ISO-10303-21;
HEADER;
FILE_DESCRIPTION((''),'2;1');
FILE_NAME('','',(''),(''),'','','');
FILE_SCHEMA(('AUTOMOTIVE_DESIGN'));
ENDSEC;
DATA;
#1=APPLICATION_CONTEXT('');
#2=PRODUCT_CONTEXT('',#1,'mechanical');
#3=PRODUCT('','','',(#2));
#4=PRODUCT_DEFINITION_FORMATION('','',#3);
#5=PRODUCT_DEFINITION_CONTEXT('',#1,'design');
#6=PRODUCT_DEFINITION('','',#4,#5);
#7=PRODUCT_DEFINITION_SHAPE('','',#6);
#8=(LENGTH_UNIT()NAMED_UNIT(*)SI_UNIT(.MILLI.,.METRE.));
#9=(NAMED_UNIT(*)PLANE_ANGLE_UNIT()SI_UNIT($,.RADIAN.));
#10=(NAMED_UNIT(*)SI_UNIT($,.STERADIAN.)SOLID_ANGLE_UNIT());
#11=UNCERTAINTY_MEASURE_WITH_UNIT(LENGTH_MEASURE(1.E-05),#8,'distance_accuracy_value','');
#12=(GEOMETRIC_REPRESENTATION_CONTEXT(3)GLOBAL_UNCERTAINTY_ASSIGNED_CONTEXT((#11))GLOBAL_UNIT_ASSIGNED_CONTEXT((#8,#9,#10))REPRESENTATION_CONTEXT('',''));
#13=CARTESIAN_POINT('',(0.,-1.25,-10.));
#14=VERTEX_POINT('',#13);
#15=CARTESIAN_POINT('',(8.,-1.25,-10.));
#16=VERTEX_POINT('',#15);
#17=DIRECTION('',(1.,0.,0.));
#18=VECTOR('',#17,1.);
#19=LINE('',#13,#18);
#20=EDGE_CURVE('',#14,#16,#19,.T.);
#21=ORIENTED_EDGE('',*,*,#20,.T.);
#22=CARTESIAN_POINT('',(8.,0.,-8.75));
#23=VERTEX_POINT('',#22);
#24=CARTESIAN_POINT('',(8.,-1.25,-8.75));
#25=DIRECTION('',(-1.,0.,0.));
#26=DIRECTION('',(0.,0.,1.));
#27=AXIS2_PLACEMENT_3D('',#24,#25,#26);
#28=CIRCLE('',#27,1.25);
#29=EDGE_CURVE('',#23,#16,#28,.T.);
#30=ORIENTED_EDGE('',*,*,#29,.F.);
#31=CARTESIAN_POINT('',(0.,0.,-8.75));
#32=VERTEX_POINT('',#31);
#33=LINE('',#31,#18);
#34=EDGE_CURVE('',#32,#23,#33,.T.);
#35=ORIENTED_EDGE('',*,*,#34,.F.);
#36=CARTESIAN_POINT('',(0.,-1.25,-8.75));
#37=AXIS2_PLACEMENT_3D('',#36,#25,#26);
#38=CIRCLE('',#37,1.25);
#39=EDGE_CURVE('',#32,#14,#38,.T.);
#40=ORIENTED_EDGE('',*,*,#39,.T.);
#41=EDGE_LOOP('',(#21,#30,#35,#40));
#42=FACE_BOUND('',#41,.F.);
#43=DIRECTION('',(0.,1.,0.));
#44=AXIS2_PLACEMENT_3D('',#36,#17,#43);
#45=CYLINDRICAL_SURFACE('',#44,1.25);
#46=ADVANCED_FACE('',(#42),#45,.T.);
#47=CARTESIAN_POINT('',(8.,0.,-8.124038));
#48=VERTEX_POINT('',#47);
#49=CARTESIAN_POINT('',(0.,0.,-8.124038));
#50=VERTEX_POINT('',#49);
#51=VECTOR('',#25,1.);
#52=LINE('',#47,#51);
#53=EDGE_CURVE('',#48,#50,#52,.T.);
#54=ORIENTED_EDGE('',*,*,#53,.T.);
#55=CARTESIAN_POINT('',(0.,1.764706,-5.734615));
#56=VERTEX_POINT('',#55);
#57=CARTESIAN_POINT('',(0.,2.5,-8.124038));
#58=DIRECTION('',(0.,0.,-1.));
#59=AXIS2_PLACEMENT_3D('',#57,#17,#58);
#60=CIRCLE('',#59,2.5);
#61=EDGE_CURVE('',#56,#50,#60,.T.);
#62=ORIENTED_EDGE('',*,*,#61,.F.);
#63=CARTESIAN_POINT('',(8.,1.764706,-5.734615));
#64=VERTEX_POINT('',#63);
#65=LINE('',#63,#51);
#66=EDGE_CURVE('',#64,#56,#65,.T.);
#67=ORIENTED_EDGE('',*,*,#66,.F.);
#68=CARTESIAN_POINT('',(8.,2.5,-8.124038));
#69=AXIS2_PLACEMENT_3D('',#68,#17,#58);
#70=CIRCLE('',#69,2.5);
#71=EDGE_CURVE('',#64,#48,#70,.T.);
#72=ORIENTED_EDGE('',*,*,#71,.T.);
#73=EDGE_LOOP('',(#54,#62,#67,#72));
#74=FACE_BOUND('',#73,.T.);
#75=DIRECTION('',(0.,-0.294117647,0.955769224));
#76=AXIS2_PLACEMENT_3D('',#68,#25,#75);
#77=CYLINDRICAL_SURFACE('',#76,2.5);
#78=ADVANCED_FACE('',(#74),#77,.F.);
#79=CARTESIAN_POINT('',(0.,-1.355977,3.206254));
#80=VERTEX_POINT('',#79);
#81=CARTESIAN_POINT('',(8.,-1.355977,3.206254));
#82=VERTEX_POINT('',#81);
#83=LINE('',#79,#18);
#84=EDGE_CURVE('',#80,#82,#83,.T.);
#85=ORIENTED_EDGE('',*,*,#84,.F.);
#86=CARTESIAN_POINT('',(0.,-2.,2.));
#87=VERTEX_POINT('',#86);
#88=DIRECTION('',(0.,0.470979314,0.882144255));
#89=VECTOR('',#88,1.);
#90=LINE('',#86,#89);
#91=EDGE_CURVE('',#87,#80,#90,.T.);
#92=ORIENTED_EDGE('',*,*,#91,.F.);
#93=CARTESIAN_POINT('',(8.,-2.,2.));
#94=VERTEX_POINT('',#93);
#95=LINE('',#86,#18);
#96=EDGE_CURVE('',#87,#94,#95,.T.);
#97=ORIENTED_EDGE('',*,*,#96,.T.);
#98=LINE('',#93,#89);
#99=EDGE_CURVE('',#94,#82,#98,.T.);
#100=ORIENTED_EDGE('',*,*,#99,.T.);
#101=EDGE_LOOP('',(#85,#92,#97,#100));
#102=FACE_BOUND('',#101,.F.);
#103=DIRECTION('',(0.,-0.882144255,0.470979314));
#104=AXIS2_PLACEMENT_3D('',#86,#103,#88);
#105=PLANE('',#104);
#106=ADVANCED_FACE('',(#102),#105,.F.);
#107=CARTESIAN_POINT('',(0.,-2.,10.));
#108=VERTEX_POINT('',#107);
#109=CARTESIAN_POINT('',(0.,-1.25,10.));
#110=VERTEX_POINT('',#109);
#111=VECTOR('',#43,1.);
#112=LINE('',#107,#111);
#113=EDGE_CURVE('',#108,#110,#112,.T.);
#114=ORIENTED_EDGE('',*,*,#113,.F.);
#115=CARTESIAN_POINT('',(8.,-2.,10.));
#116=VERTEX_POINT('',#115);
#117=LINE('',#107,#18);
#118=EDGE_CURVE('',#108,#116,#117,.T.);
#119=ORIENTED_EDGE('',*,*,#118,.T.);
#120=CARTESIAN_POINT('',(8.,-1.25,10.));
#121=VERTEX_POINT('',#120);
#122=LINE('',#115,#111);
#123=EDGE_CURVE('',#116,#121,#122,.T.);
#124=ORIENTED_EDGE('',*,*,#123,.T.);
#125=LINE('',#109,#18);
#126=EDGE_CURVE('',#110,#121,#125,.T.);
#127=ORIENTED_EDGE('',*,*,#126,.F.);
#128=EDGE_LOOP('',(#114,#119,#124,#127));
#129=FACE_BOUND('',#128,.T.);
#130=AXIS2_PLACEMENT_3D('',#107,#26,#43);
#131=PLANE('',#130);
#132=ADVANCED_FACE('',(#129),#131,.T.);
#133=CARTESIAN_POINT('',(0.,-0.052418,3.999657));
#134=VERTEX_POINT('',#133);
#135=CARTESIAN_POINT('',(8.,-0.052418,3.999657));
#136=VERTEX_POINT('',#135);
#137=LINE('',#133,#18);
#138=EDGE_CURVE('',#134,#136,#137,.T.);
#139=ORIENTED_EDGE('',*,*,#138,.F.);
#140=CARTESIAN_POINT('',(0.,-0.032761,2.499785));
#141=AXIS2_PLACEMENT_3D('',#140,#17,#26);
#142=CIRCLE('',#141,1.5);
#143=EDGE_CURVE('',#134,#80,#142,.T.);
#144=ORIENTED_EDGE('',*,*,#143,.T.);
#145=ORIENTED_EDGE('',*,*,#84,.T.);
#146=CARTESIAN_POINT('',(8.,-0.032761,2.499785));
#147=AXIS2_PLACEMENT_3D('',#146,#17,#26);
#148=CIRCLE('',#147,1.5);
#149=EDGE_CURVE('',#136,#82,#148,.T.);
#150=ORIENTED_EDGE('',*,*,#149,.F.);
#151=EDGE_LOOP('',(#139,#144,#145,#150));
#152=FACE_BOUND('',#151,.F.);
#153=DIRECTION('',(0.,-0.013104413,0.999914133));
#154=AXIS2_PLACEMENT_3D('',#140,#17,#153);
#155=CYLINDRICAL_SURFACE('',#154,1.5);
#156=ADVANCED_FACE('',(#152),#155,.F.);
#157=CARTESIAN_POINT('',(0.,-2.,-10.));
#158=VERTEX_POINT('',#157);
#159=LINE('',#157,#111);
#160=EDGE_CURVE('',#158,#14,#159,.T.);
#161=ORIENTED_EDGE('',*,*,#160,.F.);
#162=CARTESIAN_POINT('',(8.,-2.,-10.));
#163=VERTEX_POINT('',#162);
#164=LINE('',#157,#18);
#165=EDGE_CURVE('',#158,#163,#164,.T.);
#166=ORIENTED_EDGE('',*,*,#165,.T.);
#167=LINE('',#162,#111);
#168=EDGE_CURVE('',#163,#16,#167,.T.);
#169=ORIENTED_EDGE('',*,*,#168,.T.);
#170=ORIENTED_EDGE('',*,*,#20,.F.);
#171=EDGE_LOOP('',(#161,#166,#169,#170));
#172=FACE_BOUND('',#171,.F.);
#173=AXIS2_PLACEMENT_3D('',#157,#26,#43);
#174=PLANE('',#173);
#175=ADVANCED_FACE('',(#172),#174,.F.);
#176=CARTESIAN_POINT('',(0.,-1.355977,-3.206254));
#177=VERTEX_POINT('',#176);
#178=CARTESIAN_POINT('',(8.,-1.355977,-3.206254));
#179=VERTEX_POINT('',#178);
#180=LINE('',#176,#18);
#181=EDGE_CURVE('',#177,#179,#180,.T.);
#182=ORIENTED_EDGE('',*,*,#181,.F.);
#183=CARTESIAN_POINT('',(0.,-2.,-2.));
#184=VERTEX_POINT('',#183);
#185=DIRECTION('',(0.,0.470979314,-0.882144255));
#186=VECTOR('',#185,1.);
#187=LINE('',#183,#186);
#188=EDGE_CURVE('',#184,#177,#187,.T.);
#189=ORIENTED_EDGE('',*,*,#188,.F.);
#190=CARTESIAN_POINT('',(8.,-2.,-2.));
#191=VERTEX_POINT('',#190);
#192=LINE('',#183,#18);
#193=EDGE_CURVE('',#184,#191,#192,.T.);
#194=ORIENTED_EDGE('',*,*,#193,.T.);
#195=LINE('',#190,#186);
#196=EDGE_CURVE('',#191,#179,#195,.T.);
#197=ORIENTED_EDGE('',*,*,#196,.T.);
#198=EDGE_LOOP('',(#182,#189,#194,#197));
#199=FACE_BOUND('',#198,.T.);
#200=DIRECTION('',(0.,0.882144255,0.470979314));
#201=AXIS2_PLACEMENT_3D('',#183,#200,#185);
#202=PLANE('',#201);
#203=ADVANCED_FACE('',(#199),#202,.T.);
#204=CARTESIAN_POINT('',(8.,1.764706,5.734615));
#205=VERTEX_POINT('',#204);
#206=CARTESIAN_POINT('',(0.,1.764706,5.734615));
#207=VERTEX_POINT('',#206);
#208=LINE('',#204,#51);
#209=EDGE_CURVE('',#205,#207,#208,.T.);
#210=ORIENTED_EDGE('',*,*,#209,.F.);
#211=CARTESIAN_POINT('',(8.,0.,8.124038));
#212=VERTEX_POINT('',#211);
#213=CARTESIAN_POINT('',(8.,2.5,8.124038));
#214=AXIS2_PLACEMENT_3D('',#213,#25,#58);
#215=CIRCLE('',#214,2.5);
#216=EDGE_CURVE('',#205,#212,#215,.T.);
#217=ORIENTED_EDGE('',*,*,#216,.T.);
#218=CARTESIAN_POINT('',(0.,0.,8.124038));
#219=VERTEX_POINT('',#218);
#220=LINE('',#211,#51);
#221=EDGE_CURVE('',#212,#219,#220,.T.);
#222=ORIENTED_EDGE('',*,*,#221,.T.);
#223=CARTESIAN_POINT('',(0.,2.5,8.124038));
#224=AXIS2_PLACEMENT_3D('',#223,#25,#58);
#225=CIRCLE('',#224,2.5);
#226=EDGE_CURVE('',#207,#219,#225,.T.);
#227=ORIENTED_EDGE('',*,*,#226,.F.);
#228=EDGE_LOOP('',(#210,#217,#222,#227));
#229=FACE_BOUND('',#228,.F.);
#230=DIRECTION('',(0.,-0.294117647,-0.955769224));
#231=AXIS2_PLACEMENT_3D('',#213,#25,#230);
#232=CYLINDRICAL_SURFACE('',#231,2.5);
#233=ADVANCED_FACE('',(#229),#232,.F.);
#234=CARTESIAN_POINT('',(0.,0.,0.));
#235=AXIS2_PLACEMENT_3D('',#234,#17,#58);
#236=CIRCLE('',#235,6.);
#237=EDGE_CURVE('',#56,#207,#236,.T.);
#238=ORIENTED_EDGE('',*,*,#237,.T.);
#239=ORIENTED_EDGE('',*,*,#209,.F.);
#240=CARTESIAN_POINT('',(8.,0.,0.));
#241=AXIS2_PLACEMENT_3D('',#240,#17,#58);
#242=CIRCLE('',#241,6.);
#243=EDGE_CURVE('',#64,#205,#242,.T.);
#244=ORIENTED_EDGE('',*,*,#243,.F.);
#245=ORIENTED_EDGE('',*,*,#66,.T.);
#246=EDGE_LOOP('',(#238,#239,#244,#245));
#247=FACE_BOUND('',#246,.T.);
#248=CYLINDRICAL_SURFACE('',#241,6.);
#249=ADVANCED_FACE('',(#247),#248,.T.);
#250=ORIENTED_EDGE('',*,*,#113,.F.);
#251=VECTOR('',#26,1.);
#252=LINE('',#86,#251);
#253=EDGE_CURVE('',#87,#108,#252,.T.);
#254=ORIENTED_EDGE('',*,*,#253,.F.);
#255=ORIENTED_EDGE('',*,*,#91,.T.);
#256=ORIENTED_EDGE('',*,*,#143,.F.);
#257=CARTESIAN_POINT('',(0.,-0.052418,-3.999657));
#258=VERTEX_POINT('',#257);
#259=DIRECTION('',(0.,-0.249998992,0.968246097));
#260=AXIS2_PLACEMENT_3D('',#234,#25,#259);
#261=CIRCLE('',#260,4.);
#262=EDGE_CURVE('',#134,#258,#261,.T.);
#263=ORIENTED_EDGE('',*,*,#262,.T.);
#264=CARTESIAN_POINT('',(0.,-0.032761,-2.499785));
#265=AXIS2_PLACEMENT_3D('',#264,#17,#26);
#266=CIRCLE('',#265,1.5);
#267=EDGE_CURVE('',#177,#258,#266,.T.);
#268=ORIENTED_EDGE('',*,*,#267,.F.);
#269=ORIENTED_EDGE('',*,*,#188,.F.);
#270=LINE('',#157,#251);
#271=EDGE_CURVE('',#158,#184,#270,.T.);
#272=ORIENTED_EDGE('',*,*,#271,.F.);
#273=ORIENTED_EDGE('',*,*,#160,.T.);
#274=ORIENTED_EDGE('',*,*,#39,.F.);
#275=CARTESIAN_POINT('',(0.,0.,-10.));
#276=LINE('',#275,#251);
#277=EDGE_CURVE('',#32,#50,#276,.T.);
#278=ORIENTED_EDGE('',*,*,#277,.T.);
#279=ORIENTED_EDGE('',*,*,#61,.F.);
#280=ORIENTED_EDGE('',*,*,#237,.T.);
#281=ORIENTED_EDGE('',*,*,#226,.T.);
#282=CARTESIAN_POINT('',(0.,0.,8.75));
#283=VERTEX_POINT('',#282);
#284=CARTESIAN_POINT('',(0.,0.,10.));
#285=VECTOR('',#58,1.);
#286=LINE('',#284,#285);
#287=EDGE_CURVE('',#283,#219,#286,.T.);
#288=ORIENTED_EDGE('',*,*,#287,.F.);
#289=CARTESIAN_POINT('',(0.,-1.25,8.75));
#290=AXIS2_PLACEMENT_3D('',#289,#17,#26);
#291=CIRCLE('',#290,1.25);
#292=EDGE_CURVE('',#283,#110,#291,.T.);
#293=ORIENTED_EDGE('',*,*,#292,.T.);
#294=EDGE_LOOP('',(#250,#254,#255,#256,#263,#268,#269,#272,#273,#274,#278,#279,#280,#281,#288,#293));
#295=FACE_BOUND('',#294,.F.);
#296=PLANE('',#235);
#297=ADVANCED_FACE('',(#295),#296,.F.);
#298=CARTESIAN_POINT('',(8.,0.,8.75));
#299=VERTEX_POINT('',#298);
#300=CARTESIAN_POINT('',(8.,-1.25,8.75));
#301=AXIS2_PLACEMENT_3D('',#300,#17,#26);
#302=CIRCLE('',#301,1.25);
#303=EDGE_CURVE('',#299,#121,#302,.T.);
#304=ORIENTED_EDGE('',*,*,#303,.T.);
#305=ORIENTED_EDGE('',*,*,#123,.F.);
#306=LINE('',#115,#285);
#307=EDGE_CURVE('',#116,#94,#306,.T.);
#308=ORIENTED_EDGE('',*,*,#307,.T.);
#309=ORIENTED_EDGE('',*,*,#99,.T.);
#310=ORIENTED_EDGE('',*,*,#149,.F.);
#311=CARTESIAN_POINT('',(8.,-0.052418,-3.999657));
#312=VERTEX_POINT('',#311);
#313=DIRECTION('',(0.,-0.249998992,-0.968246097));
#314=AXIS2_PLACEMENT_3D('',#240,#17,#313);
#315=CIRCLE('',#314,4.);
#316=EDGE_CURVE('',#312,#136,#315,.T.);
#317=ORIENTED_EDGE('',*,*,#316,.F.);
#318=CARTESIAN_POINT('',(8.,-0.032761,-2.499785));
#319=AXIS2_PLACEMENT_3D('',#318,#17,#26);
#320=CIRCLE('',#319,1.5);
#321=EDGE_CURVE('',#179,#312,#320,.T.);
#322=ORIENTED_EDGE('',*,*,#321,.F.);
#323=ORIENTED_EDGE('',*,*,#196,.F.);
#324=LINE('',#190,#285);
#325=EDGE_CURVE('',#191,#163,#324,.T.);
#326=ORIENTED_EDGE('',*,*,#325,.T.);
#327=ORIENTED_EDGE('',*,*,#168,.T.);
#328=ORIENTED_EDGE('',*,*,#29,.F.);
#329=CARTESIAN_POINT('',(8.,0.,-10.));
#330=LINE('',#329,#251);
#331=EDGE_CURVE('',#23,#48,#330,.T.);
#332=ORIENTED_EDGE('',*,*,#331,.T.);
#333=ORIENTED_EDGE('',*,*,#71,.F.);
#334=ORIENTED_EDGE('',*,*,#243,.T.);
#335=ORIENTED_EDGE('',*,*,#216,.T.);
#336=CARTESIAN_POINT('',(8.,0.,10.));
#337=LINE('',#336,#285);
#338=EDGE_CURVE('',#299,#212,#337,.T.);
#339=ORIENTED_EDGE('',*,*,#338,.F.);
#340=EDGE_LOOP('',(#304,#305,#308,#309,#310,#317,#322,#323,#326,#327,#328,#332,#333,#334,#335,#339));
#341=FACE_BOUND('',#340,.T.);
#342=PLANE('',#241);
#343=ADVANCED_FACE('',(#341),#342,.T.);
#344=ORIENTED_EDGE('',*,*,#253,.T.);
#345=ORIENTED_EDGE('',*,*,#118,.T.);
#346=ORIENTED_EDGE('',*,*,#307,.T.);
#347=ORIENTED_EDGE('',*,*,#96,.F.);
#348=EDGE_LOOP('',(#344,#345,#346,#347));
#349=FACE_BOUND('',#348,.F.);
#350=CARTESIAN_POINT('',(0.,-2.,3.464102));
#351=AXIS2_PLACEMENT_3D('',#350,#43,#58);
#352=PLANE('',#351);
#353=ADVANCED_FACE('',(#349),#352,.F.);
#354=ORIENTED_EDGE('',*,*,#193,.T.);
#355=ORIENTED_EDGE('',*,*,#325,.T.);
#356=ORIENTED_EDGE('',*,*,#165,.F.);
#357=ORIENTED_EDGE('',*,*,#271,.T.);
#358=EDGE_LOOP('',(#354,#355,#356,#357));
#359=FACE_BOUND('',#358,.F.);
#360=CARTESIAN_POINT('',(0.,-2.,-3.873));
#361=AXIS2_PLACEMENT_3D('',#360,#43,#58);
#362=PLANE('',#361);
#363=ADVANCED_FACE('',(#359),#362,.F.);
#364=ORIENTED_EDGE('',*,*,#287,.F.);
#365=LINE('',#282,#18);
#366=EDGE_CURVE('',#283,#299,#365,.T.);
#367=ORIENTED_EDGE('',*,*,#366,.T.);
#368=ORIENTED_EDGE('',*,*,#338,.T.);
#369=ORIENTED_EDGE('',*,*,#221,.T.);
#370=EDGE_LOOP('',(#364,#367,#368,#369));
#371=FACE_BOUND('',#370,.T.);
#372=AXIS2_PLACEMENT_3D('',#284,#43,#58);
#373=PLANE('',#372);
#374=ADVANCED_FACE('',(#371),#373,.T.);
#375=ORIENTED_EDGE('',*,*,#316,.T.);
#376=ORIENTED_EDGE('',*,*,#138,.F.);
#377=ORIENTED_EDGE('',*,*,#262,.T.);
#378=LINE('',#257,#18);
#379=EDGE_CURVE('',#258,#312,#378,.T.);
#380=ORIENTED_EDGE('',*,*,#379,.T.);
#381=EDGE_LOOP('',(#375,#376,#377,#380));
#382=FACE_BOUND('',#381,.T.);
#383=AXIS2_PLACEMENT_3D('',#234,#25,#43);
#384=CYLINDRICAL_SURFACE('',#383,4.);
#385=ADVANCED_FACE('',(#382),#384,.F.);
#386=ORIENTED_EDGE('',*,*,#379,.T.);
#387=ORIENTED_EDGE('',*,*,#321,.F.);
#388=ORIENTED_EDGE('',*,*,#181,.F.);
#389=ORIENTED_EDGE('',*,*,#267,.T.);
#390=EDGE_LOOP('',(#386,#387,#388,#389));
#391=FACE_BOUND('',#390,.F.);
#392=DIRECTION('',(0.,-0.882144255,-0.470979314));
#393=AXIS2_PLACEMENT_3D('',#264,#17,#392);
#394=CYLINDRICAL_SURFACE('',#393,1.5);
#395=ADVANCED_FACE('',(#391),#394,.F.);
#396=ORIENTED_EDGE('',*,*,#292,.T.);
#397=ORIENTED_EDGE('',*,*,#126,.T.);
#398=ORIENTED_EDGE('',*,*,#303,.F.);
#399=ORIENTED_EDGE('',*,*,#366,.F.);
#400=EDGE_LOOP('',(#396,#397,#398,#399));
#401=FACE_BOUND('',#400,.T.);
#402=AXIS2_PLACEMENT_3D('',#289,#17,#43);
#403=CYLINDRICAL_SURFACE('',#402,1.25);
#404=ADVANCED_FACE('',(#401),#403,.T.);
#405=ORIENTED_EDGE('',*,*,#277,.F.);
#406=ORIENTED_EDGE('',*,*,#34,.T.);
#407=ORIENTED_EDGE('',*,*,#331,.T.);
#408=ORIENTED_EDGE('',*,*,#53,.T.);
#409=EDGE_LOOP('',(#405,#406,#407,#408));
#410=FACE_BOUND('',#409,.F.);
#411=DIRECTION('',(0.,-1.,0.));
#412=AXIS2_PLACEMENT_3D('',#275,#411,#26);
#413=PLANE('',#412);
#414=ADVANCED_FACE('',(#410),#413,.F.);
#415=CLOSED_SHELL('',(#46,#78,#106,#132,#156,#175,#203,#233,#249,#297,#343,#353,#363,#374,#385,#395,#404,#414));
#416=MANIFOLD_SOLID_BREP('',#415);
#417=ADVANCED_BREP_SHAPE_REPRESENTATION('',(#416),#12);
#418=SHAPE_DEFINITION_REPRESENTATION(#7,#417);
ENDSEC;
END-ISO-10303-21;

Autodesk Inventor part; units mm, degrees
ref_plane "YZ Plane" through (0, 0, 0) normal (1, 0, 0) x (0, 1, 0)
ref_plane "XZ Plane" through (0, 0, 0) normal (0, 1, 0) x (-1, 0, 0)
ref_plane "XY Plane" through (0, 0, 0) normal (0, 0, 1) x (1, 0, 0)
sketch "Эскиз1" plane through (0, 0, 0) normal (1, 0, 0) x (0, 1, 0)
  circle A0 centre (0, 0) radius 4
  circle A1 centre (0, 0) radius 5
  line L0 (0, 5) -> (-2, 5)
  line L1 (-2, 5) -> (-2, 10)
  line L2 (-2, 10) -> (0, 10)
  line L3 (0, 10) -> (0, 5)
  line L4 (0, -5) -> (-2, -5)
  line L5 (-2, -5) -> (-2, -10)
  line L6 (-2, -10) -> (0, -10)
  line L7 (0, -10) -> (0, -5)
  line L8 (-2, 5) -> (-2, -5)
  line L9 (0, 5) -> (-2, 4.5826)
  line L10 (-2, -4.5826) -> (0, -5)
  line L11 (-2, 2) -> (-1, 3.873)
  line L12 (-2, -2) -> (-1, -3.873)
  line L13 (-1, -3.873) -> (-2, -3.873)
  line L14 (-1, 3.873) -> (-2, 3.873)
  dimension "d0" = 8
  dimension "d1" = 10
  dimension "d2" = 3
  dimension "d3" = 3
extrude "Выдавливание1" add sketch "Эскиз1" along normal blind 8 contours A0 L14 L8 L9 A1 L10 L13 | L11 L8 A0 | A0 L8 L14 | L13 L8 A0 | A0 L8 L12 | L8 L0 A1 | A1 L9 | L10 A1 | A1 L4 L8 | L0 L1 L2 L3 | L7 L6 L5 L4
fillet "Сопряжение2" radius 1.25 2 edges at (4, 0, 10) (4, 0, -10)
fillet "Сопряжение3" radius 1.5 2 edges at (4, -1, -3.873) (4, -1, 3.873)
sketch "Эскиз5" plane through (8, 0, 0) normal (1, 0, 0) x (0, 0, -1)
  circle A0 centre (0, 0) radius 5
  circle A1 centre (0, 0) radius 6
  line L0 (-5, 0) -> (-8.75, 0) projected
  line L1 (-6, 0) -> (-5, 0)
  arc A2 (5, 0) -> (-5, 0) centre (0, 0) ccw projected
  line L2 (-5, 0) -> (5, 0)
  line L3 (8.75, 0) -> (5, 0) projected
  line L4 (6, 0) -> (5, 0)
  dimension "d28" = 12
extrude "Выдавливание5" add sketch "Эскиз5" against normal blind 8 contours A0 L0 A1 L3 picked at (-5.5601, 0.8775)
fillet "Сопряжение4" radius 2.5 2 edges at (4, 0, 6) (4, 0, -6)
properties part number "binding links"
